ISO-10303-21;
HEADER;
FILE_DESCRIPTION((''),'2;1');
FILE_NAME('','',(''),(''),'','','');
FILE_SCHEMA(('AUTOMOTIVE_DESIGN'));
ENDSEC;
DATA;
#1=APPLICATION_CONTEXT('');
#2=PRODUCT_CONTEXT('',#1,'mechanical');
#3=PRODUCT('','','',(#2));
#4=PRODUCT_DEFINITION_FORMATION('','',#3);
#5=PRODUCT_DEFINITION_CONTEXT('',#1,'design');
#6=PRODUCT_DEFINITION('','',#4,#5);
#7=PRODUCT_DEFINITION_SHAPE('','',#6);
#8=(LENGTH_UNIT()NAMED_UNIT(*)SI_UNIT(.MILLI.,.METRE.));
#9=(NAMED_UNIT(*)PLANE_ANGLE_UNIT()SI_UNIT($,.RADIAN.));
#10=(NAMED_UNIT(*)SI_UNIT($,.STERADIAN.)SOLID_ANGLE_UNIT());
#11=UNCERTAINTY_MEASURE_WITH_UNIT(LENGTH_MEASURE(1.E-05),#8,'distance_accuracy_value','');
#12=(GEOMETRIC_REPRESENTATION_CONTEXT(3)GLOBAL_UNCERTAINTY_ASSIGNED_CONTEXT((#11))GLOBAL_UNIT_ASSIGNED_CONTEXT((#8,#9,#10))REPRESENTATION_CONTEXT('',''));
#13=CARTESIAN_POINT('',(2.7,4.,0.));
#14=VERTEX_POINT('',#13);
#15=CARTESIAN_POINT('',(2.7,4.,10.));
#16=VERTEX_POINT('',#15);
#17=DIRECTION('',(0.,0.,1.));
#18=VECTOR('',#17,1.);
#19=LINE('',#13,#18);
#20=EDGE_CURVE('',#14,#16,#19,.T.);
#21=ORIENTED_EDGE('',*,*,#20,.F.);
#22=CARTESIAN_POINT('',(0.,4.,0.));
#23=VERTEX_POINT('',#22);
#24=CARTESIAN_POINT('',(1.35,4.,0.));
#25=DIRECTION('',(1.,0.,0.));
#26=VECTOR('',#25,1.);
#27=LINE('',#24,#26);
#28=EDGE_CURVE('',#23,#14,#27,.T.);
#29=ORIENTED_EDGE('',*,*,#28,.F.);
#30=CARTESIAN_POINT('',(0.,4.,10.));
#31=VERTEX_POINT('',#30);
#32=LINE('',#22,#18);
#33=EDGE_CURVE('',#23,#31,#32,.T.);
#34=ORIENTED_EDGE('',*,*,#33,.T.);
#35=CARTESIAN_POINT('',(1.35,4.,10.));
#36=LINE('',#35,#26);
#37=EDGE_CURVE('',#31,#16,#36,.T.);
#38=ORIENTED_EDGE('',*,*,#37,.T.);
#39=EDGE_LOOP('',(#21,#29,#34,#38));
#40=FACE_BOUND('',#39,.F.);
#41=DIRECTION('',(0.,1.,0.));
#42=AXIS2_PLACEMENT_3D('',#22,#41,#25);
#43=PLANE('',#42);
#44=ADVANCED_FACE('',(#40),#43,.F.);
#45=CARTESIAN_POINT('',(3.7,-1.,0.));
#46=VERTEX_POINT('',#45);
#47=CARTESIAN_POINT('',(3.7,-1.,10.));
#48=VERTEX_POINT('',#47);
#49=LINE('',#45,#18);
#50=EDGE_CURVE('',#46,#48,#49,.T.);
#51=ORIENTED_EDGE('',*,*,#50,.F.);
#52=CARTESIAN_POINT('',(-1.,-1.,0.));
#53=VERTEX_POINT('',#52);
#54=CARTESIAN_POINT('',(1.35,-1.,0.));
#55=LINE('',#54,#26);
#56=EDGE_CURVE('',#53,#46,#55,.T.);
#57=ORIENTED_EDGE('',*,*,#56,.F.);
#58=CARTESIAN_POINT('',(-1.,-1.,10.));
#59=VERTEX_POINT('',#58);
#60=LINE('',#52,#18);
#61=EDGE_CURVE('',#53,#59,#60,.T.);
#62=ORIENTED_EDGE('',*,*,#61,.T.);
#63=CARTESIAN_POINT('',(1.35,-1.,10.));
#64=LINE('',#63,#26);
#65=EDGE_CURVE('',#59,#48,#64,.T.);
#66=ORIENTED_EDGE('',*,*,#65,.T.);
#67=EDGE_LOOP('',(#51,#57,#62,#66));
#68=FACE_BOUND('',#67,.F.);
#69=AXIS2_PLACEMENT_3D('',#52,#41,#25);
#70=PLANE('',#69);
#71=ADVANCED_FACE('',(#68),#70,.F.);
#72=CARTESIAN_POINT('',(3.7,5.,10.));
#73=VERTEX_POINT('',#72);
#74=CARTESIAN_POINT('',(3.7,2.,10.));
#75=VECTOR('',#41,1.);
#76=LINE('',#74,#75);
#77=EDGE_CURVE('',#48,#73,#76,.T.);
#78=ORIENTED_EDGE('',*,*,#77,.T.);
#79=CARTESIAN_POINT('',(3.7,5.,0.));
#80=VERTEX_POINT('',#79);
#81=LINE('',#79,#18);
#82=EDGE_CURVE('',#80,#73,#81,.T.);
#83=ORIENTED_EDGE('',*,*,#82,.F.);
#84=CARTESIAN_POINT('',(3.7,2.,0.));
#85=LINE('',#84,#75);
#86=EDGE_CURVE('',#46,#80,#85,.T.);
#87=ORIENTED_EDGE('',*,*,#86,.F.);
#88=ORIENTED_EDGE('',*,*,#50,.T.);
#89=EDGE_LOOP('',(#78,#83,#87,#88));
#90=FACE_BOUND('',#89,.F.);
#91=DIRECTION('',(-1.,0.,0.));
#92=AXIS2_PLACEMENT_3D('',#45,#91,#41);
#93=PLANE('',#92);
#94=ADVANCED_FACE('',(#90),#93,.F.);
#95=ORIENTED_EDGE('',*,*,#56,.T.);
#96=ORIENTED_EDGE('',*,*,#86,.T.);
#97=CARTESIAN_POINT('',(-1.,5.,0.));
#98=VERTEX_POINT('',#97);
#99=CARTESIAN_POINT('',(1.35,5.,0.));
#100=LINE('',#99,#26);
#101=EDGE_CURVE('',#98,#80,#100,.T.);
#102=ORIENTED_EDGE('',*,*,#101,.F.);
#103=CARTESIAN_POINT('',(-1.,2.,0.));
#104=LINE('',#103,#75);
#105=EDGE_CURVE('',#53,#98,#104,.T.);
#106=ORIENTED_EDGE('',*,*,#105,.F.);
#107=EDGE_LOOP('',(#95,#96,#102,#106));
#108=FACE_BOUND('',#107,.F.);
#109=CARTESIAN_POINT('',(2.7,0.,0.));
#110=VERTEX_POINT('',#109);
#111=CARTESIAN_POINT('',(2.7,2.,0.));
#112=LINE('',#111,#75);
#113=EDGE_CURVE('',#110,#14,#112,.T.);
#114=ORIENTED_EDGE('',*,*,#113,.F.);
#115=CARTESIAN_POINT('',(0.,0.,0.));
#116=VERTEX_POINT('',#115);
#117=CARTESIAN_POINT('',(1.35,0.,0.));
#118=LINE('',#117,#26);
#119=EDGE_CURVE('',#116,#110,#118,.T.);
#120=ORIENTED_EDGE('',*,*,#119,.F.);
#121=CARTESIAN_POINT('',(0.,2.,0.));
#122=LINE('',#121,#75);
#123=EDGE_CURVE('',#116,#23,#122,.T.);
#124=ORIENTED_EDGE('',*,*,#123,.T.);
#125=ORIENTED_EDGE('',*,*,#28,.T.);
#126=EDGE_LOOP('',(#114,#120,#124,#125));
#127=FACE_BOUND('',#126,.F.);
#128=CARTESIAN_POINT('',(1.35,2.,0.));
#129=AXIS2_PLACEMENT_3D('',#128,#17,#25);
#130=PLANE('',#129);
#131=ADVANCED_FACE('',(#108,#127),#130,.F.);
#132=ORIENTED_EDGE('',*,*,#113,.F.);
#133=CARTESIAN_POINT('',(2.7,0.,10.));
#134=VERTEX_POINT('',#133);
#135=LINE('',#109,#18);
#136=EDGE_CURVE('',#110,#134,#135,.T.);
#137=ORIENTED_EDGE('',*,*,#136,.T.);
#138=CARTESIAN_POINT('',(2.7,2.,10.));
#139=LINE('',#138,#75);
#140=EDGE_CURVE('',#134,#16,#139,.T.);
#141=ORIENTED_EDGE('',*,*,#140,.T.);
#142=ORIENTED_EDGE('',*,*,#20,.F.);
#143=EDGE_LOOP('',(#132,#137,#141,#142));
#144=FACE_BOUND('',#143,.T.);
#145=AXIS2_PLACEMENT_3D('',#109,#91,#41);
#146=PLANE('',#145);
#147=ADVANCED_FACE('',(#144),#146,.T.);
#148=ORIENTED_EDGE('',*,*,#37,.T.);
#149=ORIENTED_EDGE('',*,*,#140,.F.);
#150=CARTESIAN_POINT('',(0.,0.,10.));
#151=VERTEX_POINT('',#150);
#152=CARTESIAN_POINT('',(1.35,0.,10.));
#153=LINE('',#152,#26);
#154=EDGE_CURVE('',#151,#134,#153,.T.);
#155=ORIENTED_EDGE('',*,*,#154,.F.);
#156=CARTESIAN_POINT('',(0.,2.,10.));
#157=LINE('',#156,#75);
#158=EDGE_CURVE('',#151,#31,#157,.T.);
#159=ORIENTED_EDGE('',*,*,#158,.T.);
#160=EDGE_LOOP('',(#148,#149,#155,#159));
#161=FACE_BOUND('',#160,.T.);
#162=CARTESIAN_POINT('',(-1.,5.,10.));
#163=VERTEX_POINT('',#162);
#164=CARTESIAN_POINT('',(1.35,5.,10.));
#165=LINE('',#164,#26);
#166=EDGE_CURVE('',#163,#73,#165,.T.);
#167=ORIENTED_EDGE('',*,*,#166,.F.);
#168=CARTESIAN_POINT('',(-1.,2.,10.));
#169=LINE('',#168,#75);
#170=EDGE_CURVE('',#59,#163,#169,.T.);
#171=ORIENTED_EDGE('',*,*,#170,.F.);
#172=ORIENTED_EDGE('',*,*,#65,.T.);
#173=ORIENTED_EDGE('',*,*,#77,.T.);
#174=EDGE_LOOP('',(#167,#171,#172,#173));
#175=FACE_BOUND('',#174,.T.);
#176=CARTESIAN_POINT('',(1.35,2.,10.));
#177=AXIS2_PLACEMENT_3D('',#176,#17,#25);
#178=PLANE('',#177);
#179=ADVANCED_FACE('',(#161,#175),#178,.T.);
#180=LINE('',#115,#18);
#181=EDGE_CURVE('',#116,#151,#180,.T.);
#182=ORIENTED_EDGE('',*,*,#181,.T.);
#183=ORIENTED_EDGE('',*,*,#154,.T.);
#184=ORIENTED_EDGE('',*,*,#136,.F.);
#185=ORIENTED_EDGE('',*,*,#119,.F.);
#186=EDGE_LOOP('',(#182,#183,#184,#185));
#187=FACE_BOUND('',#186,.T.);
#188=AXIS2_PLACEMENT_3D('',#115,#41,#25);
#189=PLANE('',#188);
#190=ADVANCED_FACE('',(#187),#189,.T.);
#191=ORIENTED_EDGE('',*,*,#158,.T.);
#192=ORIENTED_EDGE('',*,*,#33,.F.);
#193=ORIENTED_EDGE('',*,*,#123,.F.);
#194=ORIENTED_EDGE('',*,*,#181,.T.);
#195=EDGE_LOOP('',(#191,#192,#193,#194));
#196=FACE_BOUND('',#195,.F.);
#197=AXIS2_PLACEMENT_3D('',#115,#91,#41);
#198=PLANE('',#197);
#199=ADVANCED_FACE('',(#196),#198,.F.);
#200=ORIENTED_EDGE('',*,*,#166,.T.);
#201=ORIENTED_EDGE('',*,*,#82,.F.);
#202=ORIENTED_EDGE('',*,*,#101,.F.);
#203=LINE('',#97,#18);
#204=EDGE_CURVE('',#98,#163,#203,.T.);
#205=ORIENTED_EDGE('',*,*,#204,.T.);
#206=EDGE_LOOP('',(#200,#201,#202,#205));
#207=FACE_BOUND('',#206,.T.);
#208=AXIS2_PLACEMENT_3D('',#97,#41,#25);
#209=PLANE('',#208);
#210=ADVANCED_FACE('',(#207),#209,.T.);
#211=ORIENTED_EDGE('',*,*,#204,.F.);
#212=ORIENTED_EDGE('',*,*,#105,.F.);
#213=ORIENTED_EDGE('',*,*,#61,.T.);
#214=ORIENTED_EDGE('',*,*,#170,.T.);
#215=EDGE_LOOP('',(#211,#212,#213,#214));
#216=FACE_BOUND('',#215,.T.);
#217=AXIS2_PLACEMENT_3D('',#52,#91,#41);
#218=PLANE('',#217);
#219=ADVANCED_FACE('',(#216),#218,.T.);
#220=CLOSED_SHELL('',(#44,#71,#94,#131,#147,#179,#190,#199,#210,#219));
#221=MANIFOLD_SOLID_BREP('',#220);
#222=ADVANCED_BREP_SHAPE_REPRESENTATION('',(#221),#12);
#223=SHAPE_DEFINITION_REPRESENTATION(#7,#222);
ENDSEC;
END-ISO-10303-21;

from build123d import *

# Parameters (mm, degrees)
SKETCH_W   = 4.7
SKETCH_H   = 6
SKETCH_W_2 = 2.7
SKETCH_H_2 = 4
PAD_DEPTH  = 10


with BuildPart() as part:
    # Sketch → Pad (new body)
    with BuildSketch(Plane.XY):
        with Locations((1.35, 2)):
            Rectangle(SKETCH_W, SKETCH_H)
        with Locations((1.35, 2)):
            Rectangle(SKETCH_W_2, SKETCH_H_2, mode=Mode.SUBTRACT)
    extrude(amount=PAD_DEPTH)


solid = part.part
